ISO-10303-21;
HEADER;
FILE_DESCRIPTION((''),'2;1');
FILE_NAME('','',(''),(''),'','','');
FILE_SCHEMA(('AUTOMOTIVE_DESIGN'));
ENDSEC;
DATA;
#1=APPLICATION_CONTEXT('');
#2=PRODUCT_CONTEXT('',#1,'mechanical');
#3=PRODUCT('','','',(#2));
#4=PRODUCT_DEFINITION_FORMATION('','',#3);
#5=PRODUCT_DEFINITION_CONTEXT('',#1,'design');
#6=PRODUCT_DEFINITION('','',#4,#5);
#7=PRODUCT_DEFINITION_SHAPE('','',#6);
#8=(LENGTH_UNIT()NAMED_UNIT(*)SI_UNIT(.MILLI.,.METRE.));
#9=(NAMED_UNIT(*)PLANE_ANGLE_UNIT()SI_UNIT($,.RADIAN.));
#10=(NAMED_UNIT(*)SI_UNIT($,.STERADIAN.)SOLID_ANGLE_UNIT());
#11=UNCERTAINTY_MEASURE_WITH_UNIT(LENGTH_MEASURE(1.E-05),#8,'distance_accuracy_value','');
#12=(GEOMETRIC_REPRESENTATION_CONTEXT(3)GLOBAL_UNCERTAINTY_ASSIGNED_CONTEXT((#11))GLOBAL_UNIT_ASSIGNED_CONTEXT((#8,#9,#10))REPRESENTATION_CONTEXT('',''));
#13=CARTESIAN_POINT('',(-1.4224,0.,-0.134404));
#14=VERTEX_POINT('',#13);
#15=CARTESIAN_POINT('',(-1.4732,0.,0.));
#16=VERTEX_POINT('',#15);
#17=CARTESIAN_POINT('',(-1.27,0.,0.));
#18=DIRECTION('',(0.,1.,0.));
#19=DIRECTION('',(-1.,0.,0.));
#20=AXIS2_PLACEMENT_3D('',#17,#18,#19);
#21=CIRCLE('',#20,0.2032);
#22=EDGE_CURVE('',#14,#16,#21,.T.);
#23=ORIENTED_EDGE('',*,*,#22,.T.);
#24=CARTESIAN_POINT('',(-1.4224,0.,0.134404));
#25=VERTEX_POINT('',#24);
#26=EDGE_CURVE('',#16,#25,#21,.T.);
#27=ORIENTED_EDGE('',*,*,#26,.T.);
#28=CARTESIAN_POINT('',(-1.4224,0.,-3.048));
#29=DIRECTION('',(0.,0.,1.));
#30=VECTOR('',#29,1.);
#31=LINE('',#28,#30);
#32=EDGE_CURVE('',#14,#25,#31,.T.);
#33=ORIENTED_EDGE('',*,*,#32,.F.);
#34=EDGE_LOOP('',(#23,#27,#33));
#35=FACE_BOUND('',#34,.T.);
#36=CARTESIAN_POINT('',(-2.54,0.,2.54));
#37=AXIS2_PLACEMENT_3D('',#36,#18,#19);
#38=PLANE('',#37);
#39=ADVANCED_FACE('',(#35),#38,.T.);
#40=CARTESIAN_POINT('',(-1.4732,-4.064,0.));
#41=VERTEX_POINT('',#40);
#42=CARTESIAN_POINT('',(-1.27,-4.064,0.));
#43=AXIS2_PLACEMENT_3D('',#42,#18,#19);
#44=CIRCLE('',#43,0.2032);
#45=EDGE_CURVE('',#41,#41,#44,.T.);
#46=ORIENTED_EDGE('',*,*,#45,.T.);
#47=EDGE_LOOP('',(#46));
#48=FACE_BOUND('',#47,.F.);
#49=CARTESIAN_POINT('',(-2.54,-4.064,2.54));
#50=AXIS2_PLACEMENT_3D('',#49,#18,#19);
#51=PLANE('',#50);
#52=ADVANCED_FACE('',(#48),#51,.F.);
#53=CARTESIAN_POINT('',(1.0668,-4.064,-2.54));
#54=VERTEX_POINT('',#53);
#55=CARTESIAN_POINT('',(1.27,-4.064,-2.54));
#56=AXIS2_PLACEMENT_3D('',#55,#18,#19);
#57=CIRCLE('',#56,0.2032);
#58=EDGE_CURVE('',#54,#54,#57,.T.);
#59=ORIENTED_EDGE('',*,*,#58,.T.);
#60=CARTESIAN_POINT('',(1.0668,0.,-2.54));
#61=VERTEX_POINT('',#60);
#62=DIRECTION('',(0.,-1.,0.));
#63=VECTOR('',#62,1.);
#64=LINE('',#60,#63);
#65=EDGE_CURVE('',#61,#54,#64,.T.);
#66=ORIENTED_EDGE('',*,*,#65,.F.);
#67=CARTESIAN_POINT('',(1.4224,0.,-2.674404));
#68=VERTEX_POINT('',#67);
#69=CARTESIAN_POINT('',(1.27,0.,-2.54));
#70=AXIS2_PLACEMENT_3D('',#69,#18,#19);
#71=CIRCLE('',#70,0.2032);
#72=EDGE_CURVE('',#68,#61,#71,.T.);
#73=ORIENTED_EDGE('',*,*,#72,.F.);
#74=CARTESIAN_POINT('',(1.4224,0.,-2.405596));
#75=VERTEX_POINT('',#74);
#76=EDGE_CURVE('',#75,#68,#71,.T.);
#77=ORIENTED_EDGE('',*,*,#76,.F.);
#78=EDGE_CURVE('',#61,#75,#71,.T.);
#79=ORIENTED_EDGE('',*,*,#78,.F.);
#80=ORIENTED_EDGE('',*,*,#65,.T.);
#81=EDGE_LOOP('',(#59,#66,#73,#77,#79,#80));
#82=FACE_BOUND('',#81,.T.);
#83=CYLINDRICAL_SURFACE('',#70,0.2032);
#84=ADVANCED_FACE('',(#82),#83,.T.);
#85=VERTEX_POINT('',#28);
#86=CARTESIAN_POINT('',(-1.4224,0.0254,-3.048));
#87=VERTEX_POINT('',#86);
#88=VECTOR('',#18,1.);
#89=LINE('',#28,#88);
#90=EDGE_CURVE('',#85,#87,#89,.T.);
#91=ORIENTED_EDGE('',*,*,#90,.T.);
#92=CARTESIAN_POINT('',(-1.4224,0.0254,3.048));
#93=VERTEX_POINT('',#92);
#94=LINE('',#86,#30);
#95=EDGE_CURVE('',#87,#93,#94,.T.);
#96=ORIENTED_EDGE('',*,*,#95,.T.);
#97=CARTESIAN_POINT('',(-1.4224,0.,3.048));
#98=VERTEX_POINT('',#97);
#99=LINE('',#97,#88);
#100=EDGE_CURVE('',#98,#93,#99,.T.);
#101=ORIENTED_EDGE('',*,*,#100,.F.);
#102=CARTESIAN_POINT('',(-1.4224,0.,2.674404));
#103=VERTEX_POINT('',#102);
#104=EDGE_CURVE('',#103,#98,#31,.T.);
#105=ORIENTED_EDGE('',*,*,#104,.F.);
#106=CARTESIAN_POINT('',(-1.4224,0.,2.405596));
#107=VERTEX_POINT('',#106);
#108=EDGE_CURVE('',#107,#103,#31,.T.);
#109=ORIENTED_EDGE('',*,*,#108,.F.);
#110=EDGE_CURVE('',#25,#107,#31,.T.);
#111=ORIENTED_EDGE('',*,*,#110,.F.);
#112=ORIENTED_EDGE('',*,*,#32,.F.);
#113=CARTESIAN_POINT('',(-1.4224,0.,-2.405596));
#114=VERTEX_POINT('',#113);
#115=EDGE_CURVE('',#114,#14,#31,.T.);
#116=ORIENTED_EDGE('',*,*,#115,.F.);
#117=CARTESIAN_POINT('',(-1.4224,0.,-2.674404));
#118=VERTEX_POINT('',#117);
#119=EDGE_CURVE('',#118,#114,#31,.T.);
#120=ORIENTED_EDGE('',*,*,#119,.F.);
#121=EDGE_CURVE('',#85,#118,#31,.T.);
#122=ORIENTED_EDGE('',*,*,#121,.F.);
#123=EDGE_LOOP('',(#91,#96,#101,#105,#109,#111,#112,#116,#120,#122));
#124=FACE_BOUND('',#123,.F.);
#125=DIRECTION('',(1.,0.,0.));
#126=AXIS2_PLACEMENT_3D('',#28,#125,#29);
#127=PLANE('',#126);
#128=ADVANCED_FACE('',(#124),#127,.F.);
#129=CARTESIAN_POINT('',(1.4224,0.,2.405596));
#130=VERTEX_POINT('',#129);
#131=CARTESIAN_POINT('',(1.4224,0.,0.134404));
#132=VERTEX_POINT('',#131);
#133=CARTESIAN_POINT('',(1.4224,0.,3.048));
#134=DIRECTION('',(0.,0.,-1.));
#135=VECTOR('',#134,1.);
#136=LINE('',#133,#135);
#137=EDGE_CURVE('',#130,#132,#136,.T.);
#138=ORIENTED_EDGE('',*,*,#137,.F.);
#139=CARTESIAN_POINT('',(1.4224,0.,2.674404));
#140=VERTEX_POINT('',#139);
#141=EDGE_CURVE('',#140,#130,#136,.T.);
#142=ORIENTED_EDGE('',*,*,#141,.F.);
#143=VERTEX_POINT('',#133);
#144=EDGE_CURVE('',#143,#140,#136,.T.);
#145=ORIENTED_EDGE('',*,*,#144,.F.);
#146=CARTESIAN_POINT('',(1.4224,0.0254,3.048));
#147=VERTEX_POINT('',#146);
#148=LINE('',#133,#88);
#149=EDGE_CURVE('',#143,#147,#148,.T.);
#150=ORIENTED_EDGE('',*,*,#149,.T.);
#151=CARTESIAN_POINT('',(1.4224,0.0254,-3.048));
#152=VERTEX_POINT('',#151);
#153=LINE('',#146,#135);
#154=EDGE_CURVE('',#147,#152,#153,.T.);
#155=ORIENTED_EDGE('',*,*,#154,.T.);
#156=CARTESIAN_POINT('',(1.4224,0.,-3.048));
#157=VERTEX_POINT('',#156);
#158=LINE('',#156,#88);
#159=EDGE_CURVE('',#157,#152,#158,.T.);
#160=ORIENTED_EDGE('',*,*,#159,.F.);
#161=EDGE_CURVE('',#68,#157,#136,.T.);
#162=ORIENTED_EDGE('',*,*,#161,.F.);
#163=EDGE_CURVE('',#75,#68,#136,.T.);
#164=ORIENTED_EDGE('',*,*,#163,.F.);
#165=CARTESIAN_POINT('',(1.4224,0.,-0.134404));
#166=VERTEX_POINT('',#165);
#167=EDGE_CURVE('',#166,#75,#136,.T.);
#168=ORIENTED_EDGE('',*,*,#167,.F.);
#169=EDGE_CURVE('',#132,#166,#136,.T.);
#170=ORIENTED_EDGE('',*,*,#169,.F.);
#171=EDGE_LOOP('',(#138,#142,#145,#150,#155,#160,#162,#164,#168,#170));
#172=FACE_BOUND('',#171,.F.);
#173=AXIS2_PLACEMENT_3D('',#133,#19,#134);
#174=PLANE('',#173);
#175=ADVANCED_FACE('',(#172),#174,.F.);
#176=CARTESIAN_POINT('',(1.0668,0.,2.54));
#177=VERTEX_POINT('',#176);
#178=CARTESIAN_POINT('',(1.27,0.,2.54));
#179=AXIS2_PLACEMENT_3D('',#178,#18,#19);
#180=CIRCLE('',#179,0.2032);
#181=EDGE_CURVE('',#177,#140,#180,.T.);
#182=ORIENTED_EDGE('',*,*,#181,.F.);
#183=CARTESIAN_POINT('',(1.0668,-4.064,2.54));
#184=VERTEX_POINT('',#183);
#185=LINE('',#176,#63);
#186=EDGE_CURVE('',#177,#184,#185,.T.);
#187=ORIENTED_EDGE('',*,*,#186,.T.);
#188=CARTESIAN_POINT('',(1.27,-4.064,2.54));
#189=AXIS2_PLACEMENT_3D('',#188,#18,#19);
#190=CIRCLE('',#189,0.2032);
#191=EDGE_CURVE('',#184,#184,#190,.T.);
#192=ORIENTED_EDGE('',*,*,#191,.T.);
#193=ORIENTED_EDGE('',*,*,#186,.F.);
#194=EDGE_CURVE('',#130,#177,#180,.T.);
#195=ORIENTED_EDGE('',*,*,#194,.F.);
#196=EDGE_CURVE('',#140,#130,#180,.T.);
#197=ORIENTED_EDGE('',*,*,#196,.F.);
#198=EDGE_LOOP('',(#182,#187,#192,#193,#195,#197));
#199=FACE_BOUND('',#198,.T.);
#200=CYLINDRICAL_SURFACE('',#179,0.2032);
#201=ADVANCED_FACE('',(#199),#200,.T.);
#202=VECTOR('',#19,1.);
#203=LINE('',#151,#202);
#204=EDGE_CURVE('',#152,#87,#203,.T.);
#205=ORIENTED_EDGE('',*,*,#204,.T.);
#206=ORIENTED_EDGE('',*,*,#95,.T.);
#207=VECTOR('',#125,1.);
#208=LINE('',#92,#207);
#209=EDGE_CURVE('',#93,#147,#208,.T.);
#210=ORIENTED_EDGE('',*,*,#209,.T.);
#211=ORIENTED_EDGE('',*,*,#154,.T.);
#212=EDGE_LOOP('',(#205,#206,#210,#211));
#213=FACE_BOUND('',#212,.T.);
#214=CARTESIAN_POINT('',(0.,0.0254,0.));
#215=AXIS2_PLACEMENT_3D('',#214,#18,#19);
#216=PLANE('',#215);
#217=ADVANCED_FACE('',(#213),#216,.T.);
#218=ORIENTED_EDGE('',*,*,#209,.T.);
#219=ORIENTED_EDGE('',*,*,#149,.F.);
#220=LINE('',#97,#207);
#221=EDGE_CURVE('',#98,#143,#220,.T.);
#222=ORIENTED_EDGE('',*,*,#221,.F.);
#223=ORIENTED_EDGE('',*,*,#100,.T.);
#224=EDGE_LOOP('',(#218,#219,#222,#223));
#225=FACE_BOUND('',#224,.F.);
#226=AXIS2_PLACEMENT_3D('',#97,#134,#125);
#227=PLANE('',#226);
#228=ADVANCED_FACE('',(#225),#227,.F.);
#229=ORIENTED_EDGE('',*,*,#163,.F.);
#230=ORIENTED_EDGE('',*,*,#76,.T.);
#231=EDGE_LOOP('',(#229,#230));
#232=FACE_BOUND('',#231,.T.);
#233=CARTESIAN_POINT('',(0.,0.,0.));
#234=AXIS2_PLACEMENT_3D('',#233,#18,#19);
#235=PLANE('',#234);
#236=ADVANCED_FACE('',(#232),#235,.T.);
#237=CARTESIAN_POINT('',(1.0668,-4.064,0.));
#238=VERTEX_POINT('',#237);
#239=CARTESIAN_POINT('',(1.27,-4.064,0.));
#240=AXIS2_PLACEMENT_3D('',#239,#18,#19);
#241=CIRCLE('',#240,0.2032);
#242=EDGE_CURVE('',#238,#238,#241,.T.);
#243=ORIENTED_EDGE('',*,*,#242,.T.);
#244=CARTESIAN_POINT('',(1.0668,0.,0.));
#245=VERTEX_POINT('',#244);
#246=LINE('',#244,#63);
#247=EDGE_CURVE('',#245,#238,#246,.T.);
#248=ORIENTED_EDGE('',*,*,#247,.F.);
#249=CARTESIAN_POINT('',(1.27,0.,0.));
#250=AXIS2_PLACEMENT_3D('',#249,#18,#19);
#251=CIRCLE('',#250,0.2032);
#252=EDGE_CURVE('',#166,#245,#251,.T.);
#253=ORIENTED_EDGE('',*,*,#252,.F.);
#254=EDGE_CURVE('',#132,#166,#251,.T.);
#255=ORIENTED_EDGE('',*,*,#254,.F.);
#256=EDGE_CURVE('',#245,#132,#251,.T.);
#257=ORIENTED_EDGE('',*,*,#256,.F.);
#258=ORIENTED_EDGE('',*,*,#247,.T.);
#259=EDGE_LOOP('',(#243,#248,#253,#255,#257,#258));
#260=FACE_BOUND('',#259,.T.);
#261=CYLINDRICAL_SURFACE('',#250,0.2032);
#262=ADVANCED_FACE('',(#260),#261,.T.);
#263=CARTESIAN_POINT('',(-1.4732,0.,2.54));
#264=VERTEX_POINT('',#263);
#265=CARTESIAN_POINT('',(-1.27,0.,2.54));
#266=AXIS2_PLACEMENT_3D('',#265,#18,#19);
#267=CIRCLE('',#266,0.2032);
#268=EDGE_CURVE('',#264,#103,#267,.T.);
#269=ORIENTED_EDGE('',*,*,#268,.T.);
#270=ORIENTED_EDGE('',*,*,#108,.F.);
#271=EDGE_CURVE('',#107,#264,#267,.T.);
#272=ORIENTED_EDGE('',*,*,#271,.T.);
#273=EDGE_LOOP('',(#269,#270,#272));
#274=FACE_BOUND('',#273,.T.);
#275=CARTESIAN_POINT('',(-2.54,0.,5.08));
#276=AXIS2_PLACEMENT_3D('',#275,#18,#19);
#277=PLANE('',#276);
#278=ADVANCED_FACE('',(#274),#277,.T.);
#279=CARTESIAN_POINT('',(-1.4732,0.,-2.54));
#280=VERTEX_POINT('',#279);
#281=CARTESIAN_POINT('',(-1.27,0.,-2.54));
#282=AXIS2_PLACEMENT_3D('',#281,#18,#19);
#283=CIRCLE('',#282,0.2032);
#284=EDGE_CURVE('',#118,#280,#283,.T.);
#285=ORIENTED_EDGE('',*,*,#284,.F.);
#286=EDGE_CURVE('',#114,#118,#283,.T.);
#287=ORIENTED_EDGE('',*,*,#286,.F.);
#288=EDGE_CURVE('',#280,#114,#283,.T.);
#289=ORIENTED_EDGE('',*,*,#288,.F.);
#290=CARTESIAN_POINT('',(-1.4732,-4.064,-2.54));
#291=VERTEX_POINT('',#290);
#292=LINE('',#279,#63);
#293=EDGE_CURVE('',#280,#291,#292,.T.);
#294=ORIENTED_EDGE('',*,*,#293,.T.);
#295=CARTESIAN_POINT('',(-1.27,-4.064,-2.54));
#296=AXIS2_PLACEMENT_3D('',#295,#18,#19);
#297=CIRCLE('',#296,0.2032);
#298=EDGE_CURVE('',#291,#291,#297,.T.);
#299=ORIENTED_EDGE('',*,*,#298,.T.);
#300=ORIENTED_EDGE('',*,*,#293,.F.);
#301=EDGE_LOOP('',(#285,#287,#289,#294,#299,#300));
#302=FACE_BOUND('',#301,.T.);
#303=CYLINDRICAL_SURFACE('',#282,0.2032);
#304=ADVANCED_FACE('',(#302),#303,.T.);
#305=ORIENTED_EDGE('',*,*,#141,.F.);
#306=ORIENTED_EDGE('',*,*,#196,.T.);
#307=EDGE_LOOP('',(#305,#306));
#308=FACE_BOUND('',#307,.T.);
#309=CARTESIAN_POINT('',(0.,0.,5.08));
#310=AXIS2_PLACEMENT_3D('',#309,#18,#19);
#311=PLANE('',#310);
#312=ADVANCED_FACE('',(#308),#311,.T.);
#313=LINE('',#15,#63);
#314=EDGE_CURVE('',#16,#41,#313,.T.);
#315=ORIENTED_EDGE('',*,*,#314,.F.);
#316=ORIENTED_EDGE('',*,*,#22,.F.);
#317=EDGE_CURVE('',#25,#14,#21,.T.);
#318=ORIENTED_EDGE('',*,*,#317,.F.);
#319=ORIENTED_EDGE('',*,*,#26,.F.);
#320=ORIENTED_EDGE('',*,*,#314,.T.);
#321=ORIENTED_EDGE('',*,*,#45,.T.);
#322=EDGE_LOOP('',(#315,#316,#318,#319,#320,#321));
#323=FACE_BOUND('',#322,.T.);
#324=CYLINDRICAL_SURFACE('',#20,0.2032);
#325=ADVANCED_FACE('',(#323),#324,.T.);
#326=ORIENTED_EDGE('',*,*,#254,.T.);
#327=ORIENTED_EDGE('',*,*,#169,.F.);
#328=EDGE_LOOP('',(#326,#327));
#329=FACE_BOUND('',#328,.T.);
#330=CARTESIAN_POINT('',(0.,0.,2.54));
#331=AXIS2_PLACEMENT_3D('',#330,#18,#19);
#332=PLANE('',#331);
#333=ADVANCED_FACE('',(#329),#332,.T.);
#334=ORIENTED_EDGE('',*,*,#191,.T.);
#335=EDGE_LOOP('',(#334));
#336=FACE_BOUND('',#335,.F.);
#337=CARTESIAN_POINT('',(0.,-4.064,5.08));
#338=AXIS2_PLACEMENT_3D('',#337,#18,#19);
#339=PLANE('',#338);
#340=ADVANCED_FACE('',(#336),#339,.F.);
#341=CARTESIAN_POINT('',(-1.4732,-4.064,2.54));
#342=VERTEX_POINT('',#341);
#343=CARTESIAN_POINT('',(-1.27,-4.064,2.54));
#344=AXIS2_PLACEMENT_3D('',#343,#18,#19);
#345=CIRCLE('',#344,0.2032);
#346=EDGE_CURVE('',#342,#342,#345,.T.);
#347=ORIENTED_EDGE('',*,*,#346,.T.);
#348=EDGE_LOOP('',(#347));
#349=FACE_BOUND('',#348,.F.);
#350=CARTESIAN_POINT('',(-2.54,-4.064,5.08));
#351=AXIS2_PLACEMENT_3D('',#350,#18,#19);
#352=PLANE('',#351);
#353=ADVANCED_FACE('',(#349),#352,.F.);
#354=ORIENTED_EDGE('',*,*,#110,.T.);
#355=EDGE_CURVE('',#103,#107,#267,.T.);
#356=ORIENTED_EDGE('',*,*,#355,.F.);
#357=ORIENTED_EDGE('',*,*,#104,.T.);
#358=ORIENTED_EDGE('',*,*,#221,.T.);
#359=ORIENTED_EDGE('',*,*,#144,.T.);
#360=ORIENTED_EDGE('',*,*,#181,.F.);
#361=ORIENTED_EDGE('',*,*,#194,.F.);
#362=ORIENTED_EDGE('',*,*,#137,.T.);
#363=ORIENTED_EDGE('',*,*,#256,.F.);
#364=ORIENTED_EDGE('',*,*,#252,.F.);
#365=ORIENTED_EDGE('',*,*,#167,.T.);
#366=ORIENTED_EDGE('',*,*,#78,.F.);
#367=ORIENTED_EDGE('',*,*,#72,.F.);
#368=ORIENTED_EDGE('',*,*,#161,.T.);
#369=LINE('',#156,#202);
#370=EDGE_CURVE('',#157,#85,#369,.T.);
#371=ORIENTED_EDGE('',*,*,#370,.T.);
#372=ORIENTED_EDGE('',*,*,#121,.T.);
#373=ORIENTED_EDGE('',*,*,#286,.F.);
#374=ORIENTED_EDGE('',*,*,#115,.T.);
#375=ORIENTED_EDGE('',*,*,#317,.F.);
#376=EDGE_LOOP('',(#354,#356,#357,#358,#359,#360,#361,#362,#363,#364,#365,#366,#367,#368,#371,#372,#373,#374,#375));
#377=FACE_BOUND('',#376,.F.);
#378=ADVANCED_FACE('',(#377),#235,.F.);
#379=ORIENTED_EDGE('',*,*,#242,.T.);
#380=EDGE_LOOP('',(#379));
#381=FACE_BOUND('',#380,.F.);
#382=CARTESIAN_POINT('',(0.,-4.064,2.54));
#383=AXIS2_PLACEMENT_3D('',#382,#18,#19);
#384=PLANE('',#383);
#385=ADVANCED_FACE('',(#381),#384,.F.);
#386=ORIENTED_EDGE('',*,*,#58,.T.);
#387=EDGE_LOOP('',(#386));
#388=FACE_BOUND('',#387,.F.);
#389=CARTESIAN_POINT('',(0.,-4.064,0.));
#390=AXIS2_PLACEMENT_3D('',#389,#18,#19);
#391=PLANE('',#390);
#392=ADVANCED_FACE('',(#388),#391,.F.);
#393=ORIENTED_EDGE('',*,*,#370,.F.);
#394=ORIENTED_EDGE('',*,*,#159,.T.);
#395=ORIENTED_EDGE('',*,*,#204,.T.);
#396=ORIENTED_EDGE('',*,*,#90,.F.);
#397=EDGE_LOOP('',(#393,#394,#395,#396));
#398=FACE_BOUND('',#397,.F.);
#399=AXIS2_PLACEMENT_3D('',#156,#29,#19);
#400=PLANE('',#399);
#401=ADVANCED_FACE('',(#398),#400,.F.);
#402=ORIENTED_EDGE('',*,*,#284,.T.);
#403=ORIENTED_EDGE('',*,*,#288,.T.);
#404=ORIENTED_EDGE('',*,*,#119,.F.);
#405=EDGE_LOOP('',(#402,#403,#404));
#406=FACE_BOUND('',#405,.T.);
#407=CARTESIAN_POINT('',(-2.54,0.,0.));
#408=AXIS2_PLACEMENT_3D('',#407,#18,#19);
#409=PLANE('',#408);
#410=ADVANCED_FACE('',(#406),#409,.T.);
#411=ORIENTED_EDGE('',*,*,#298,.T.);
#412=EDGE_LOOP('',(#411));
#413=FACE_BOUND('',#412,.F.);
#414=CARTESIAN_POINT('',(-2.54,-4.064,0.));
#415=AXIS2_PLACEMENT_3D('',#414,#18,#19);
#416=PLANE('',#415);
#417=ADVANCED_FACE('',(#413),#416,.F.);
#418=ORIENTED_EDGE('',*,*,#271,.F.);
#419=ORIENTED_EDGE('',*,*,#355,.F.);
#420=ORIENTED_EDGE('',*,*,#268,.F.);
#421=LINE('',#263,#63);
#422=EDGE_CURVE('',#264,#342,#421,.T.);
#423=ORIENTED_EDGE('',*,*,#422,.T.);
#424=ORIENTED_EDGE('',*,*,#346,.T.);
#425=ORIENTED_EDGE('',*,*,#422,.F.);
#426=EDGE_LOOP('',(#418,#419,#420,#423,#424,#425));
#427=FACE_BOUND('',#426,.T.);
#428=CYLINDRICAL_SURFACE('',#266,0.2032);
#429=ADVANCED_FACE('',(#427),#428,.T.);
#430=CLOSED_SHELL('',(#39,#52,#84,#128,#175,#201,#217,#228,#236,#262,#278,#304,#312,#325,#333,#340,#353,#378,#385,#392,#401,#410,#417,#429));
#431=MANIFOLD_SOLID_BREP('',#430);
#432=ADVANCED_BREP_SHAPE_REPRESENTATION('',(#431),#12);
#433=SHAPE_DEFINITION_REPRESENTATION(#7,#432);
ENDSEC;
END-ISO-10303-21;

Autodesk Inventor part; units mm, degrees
sketch "Sketch_1" plane through (0, 0, 0) normal (0, 1, 0) x (-1, 0, 0)
  line L0 (1.4224, 3.048) -> (-1.4224, 3.048)
  line L1 (-1.4224, 3.048) -> (-1.4224, -3.048)
  line L2 (-1.4224, -3.048) -> (1.4224, -3.048)
  line L3 (1.4224, -3.048) -> (1.4224, 3.048)
extrude "Extrusion1" add sketch "Sketch_1" along normal blind 0.0254
sketch "Sketch_2" plane through (0, 0, 0) normal (0, 1, 0) x (-1, 0, 0)
  circle A0 centre (-1.27, -2.54) radius 0.2032
extrude "Extrusion2" add sketch "Sketch_2" against normal blind 4.064
pattern_linear "Rectangular Pattern1" count 2 spacing 2.54 along (-1, 0, 0) count 3 spacing 2.54 along (0, 0, 1) of "Extrusion2"
ref_plane "to_body_XY" through (0, -0.9652, 0) normal (0, -1, 0) x (1, 0, 0)
ref_plane "to_body_YZ" through (0, -0.9652, 0) normal (1, 0, 0) x (0, 0, 1)
ref_plane "to_body_ZX" through (0, -0.9652, 0) normal (0, 0, 1) x (0, -1, 0)
properties part number "GP-terminals"
